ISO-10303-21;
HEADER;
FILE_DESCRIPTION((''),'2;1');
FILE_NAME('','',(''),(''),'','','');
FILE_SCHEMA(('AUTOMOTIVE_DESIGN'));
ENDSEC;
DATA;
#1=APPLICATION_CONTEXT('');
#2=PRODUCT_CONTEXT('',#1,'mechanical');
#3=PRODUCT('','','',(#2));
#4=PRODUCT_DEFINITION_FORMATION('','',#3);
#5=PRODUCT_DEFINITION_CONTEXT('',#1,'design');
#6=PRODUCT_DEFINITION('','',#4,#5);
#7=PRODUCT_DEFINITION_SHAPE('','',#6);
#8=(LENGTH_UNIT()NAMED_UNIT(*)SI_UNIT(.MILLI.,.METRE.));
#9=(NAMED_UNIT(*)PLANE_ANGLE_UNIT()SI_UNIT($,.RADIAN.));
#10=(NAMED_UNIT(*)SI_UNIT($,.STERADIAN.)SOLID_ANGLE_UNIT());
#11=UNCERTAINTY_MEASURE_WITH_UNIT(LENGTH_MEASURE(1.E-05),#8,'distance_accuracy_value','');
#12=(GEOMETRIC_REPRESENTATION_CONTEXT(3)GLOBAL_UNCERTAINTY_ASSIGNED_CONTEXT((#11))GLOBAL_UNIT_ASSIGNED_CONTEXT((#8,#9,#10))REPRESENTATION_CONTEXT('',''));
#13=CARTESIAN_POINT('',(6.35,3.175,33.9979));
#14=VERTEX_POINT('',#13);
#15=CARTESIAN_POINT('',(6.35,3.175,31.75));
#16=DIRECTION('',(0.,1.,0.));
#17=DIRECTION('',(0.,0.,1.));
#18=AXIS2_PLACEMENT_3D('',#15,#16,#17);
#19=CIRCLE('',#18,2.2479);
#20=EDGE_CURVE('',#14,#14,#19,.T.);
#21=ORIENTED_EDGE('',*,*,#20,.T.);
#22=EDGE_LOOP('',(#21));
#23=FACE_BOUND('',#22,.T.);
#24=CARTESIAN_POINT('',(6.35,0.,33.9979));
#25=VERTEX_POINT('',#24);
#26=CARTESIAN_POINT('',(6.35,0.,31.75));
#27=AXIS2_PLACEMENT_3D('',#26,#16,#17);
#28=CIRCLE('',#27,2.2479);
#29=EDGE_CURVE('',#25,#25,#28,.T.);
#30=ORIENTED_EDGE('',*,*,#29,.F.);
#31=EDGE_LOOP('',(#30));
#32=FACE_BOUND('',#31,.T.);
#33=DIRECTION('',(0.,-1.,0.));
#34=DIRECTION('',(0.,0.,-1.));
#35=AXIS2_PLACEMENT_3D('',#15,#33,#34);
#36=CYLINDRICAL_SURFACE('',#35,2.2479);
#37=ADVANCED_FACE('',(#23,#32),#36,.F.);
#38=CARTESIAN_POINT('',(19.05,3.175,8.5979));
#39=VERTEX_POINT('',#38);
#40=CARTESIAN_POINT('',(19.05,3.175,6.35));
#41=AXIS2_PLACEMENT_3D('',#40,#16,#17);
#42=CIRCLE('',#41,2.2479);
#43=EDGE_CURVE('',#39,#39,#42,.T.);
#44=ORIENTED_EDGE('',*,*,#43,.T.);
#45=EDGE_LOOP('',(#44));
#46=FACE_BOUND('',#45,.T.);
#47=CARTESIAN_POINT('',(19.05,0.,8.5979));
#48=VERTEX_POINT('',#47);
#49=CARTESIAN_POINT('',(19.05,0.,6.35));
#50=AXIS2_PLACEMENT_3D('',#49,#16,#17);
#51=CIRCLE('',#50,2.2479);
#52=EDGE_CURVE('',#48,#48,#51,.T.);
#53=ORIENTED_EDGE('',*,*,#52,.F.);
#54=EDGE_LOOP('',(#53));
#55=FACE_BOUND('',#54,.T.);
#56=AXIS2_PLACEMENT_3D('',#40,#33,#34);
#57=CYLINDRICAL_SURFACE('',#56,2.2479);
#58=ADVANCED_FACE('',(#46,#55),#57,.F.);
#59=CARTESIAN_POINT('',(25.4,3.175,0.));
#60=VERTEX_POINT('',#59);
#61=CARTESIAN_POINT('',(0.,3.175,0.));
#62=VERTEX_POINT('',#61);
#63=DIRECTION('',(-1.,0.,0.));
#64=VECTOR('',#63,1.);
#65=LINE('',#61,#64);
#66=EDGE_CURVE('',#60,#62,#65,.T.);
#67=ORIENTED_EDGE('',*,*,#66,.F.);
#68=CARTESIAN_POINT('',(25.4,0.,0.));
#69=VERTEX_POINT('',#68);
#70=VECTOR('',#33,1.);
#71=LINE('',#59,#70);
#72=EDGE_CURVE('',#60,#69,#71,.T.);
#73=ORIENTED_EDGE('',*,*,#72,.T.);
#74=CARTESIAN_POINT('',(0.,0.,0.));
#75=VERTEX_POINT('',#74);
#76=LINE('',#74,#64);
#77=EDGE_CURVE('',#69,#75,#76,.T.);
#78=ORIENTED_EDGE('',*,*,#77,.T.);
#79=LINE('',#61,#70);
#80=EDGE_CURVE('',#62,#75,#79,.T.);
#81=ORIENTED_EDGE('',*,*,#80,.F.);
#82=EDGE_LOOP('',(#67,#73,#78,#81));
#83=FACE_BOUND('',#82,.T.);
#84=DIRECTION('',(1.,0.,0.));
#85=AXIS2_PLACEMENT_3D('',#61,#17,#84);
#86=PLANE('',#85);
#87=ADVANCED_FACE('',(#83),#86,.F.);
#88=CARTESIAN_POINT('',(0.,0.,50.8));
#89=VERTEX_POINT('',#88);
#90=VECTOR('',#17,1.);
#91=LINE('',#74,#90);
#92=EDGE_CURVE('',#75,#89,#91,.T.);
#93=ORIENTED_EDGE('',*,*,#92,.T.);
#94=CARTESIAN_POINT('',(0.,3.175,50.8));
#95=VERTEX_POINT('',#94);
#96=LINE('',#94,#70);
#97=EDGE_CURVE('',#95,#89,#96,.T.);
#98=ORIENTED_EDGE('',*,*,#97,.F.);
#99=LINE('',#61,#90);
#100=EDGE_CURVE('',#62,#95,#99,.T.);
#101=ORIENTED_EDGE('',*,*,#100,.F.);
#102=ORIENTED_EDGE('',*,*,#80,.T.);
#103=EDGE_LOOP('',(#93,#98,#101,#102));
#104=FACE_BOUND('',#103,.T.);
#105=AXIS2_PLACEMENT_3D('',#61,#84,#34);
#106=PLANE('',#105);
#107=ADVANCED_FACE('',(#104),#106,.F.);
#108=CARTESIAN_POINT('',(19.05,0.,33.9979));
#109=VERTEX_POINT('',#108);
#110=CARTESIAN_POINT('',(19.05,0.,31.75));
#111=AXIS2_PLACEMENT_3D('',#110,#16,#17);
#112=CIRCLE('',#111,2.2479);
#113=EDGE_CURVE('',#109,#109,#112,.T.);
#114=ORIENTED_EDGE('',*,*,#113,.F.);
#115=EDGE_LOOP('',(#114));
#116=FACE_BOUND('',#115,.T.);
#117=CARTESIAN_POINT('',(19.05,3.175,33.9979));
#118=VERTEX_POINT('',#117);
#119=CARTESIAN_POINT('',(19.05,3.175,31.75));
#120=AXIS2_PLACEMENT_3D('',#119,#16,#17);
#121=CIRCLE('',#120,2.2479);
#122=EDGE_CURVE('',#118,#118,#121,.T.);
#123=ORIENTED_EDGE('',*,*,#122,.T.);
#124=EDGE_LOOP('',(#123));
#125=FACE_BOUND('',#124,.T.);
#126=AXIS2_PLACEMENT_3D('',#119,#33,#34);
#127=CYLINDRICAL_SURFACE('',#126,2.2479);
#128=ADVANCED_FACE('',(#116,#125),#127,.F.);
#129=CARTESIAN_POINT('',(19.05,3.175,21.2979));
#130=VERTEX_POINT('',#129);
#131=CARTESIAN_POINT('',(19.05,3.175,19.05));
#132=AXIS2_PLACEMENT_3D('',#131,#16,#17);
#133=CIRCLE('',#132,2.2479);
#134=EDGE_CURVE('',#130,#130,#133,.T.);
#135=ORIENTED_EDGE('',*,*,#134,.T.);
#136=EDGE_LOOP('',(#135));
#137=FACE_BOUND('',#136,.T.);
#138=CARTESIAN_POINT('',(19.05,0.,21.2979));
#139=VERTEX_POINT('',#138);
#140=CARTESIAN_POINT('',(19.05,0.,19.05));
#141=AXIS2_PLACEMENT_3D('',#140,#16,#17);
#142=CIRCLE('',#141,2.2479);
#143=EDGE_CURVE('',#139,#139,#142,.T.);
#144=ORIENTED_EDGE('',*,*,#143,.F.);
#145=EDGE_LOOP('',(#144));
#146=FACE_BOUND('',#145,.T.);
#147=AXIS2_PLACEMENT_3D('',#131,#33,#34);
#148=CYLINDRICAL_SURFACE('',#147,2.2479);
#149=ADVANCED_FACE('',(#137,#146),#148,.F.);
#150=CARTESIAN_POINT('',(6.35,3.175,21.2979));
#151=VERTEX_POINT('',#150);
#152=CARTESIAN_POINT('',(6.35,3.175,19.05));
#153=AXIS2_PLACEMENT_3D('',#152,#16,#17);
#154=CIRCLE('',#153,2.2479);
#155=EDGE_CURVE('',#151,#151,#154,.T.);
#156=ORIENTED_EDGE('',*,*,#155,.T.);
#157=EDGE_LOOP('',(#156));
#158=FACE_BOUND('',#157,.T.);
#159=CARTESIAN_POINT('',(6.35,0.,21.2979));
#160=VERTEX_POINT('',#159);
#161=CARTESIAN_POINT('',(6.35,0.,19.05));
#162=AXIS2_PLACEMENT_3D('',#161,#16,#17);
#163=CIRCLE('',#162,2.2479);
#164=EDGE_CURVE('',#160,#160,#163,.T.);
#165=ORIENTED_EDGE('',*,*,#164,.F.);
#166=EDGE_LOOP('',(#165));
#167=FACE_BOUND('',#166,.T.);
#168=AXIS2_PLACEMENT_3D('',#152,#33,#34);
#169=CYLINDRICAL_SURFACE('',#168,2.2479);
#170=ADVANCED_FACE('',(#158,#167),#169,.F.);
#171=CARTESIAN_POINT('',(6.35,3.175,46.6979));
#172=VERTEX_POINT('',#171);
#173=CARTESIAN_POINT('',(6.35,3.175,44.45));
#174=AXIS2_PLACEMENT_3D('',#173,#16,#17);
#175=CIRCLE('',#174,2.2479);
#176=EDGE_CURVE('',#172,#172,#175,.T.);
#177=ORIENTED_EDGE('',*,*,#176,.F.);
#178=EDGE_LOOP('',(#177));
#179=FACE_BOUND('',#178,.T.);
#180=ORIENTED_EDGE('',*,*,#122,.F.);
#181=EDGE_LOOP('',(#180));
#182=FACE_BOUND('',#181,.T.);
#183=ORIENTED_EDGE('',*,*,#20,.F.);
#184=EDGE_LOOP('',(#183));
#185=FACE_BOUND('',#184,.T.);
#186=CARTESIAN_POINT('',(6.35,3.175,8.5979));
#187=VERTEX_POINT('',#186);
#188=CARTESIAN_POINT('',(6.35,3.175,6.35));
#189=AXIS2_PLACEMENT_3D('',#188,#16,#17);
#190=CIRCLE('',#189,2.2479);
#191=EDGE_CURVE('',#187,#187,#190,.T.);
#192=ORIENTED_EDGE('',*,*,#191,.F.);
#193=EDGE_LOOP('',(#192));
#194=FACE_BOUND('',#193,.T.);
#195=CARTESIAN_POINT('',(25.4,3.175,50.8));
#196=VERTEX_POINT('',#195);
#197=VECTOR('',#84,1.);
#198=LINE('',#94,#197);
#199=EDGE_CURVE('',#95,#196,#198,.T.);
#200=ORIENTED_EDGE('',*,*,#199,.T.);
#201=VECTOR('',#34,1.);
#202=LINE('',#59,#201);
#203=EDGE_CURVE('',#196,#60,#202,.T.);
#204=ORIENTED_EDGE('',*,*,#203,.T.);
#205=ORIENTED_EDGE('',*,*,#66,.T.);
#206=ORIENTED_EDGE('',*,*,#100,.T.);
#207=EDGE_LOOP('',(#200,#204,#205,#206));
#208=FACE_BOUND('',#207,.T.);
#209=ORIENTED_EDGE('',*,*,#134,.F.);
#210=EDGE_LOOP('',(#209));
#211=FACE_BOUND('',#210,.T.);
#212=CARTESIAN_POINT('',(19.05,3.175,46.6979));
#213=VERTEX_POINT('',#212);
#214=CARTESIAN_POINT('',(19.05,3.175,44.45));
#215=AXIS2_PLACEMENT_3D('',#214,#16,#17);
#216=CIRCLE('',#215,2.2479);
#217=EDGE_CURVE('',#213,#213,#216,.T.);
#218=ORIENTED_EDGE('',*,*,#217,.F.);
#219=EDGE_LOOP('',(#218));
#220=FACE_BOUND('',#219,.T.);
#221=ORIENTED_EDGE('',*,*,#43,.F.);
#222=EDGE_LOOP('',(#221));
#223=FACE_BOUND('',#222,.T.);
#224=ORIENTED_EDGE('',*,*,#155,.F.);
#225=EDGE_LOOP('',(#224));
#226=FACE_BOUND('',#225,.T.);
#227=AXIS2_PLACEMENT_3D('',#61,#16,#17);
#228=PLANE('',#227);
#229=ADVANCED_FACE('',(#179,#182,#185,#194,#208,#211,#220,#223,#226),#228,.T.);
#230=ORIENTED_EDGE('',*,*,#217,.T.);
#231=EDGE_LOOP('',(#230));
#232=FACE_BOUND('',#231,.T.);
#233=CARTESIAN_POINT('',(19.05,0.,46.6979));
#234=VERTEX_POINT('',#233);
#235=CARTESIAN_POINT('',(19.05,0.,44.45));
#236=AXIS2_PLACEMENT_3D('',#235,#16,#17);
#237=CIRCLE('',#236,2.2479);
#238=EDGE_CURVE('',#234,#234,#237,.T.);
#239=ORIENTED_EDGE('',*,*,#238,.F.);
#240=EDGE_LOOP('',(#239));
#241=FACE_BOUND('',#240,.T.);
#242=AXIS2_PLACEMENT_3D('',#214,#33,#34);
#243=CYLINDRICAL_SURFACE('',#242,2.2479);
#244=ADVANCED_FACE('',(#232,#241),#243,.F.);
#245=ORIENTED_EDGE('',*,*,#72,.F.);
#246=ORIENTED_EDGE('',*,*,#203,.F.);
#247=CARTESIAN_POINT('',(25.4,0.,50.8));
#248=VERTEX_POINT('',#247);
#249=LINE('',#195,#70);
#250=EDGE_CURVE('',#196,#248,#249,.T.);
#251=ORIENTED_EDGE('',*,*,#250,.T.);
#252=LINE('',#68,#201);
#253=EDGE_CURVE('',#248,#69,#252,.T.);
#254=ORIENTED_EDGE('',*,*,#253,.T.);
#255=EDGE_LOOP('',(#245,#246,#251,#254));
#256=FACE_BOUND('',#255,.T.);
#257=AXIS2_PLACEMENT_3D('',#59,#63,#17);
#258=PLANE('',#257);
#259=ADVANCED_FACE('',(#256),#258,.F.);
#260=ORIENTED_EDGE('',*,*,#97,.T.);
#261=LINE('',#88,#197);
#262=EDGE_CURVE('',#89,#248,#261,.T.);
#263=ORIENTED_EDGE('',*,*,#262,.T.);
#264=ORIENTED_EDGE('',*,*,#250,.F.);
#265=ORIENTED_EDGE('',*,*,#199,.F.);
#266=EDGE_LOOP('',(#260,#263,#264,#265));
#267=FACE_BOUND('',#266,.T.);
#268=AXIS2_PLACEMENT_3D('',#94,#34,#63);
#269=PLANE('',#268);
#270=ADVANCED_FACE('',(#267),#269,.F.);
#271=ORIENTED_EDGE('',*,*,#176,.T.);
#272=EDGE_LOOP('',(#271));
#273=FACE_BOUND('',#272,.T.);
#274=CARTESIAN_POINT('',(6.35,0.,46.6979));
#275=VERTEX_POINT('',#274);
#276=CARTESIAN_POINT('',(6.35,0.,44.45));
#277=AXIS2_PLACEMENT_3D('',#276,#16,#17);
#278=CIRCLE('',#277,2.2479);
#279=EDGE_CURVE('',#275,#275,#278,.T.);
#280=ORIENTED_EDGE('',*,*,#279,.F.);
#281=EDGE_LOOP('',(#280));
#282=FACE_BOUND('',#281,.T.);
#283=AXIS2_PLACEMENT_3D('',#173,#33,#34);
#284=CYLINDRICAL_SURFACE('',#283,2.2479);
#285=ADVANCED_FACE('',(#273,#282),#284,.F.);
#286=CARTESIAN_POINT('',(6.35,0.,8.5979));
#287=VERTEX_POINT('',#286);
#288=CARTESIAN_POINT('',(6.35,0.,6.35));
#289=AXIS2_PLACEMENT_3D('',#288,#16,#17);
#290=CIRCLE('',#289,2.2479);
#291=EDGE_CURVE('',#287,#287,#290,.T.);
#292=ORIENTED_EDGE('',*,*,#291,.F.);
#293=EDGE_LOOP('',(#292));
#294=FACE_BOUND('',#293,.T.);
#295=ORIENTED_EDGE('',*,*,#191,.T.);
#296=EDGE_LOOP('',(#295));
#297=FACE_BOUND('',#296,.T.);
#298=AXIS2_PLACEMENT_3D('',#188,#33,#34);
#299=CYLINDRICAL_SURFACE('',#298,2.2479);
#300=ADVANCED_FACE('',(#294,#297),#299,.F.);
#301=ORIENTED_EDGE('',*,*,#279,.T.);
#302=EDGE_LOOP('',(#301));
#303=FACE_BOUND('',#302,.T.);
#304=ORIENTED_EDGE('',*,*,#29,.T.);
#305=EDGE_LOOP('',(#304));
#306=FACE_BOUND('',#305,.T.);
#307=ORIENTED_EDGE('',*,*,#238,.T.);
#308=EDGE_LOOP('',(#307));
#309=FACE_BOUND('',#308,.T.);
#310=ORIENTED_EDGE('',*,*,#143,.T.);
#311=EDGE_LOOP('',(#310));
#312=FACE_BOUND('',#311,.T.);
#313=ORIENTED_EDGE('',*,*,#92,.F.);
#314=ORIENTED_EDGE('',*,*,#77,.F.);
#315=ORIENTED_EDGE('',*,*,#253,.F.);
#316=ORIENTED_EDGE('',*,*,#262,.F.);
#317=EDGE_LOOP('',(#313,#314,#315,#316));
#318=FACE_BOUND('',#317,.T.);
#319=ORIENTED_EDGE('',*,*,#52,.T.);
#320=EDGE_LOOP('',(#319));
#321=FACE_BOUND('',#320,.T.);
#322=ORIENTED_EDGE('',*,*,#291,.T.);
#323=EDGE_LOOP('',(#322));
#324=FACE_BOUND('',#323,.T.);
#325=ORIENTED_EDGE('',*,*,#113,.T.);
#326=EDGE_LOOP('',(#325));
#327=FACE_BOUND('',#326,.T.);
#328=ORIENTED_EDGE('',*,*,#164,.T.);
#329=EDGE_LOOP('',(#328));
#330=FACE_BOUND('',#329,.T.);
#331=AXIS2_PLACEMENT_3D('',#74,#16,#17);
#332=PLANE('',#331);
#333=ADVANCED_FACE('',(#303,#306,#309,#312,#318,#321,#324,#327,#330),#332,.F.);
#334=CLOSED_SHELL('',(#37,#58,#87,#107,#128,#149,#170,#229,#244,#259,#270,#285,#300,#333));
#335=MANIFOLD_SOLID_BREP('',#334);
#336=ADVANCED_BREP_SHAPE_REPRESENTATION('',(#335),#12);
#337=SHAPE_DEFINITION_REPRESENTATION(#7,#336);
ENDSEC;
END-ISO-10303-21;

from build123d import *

# Parameters (mm, degrees)
SKETCH1_W           = 25.4
SKETCH1_H           = 50.8
SKETCH1_R           = 2.2479
BOSS_EXTRUDE1_DEPTH = 3.175


with BuildPart() as part:
    # Sketch1 → Boss-Extrude1 (new body)
    with BuildSketch(Plane(origin=(0, 0, 0), x_dir=(1, 0, 0), z_dir=(0, 1, 0))):
        with Locations((12.7, -25.4)):
            Rectangle(SKETCH1_W, SKETCH1_H)
        with Locations(Location((6.35, -6.35, 0), (0, 0, 270))):
            Circle(SKETCH1_R, mode=Mode.SUBTRACT)
        with Locations(Location((19.05, -6.35, 0), (0, 0, 270))):
            Circle(SKETCH1_R, mode=Mode.SUBTRACT)
        with Locations(Location((19.05, -19.05, 0), (0, 0, 270))):
            Circle(SKETCH1_R, mode=Mode.SUBTRACT)
        with Locations(Location((19.05, -31.75, 0), (0, 0, 270))):
            Circle(SKETCH1_R, mode=Mode.SUBTRACT)
        with Locations(Location((19.05, -44.45, 0), (0, 0, 270))):
            Circle(SKETCH1_R, mode=Mode.SUBTRACT)
        with Locations(Location((6.35, -19.05, 0), (0, 0, 270))):
            Circle(SKETCH1_R, mode=Mode.SUBTRACT)
        with Locations(Location((6.35, -31.75, 0), (0, 0, 270))):
            Circle(SKETCH1_R, mode=Mode.SUBTRACT)
        with Locations(Location((6.35, -44.45, 0), (0, 0, 270))):
            Circle(SKETCH1_R, mode=Mode.SUBTRACT)
    extrude(amount=BOSS_EXTRUDE1_DEPTH)


solid = part.part
